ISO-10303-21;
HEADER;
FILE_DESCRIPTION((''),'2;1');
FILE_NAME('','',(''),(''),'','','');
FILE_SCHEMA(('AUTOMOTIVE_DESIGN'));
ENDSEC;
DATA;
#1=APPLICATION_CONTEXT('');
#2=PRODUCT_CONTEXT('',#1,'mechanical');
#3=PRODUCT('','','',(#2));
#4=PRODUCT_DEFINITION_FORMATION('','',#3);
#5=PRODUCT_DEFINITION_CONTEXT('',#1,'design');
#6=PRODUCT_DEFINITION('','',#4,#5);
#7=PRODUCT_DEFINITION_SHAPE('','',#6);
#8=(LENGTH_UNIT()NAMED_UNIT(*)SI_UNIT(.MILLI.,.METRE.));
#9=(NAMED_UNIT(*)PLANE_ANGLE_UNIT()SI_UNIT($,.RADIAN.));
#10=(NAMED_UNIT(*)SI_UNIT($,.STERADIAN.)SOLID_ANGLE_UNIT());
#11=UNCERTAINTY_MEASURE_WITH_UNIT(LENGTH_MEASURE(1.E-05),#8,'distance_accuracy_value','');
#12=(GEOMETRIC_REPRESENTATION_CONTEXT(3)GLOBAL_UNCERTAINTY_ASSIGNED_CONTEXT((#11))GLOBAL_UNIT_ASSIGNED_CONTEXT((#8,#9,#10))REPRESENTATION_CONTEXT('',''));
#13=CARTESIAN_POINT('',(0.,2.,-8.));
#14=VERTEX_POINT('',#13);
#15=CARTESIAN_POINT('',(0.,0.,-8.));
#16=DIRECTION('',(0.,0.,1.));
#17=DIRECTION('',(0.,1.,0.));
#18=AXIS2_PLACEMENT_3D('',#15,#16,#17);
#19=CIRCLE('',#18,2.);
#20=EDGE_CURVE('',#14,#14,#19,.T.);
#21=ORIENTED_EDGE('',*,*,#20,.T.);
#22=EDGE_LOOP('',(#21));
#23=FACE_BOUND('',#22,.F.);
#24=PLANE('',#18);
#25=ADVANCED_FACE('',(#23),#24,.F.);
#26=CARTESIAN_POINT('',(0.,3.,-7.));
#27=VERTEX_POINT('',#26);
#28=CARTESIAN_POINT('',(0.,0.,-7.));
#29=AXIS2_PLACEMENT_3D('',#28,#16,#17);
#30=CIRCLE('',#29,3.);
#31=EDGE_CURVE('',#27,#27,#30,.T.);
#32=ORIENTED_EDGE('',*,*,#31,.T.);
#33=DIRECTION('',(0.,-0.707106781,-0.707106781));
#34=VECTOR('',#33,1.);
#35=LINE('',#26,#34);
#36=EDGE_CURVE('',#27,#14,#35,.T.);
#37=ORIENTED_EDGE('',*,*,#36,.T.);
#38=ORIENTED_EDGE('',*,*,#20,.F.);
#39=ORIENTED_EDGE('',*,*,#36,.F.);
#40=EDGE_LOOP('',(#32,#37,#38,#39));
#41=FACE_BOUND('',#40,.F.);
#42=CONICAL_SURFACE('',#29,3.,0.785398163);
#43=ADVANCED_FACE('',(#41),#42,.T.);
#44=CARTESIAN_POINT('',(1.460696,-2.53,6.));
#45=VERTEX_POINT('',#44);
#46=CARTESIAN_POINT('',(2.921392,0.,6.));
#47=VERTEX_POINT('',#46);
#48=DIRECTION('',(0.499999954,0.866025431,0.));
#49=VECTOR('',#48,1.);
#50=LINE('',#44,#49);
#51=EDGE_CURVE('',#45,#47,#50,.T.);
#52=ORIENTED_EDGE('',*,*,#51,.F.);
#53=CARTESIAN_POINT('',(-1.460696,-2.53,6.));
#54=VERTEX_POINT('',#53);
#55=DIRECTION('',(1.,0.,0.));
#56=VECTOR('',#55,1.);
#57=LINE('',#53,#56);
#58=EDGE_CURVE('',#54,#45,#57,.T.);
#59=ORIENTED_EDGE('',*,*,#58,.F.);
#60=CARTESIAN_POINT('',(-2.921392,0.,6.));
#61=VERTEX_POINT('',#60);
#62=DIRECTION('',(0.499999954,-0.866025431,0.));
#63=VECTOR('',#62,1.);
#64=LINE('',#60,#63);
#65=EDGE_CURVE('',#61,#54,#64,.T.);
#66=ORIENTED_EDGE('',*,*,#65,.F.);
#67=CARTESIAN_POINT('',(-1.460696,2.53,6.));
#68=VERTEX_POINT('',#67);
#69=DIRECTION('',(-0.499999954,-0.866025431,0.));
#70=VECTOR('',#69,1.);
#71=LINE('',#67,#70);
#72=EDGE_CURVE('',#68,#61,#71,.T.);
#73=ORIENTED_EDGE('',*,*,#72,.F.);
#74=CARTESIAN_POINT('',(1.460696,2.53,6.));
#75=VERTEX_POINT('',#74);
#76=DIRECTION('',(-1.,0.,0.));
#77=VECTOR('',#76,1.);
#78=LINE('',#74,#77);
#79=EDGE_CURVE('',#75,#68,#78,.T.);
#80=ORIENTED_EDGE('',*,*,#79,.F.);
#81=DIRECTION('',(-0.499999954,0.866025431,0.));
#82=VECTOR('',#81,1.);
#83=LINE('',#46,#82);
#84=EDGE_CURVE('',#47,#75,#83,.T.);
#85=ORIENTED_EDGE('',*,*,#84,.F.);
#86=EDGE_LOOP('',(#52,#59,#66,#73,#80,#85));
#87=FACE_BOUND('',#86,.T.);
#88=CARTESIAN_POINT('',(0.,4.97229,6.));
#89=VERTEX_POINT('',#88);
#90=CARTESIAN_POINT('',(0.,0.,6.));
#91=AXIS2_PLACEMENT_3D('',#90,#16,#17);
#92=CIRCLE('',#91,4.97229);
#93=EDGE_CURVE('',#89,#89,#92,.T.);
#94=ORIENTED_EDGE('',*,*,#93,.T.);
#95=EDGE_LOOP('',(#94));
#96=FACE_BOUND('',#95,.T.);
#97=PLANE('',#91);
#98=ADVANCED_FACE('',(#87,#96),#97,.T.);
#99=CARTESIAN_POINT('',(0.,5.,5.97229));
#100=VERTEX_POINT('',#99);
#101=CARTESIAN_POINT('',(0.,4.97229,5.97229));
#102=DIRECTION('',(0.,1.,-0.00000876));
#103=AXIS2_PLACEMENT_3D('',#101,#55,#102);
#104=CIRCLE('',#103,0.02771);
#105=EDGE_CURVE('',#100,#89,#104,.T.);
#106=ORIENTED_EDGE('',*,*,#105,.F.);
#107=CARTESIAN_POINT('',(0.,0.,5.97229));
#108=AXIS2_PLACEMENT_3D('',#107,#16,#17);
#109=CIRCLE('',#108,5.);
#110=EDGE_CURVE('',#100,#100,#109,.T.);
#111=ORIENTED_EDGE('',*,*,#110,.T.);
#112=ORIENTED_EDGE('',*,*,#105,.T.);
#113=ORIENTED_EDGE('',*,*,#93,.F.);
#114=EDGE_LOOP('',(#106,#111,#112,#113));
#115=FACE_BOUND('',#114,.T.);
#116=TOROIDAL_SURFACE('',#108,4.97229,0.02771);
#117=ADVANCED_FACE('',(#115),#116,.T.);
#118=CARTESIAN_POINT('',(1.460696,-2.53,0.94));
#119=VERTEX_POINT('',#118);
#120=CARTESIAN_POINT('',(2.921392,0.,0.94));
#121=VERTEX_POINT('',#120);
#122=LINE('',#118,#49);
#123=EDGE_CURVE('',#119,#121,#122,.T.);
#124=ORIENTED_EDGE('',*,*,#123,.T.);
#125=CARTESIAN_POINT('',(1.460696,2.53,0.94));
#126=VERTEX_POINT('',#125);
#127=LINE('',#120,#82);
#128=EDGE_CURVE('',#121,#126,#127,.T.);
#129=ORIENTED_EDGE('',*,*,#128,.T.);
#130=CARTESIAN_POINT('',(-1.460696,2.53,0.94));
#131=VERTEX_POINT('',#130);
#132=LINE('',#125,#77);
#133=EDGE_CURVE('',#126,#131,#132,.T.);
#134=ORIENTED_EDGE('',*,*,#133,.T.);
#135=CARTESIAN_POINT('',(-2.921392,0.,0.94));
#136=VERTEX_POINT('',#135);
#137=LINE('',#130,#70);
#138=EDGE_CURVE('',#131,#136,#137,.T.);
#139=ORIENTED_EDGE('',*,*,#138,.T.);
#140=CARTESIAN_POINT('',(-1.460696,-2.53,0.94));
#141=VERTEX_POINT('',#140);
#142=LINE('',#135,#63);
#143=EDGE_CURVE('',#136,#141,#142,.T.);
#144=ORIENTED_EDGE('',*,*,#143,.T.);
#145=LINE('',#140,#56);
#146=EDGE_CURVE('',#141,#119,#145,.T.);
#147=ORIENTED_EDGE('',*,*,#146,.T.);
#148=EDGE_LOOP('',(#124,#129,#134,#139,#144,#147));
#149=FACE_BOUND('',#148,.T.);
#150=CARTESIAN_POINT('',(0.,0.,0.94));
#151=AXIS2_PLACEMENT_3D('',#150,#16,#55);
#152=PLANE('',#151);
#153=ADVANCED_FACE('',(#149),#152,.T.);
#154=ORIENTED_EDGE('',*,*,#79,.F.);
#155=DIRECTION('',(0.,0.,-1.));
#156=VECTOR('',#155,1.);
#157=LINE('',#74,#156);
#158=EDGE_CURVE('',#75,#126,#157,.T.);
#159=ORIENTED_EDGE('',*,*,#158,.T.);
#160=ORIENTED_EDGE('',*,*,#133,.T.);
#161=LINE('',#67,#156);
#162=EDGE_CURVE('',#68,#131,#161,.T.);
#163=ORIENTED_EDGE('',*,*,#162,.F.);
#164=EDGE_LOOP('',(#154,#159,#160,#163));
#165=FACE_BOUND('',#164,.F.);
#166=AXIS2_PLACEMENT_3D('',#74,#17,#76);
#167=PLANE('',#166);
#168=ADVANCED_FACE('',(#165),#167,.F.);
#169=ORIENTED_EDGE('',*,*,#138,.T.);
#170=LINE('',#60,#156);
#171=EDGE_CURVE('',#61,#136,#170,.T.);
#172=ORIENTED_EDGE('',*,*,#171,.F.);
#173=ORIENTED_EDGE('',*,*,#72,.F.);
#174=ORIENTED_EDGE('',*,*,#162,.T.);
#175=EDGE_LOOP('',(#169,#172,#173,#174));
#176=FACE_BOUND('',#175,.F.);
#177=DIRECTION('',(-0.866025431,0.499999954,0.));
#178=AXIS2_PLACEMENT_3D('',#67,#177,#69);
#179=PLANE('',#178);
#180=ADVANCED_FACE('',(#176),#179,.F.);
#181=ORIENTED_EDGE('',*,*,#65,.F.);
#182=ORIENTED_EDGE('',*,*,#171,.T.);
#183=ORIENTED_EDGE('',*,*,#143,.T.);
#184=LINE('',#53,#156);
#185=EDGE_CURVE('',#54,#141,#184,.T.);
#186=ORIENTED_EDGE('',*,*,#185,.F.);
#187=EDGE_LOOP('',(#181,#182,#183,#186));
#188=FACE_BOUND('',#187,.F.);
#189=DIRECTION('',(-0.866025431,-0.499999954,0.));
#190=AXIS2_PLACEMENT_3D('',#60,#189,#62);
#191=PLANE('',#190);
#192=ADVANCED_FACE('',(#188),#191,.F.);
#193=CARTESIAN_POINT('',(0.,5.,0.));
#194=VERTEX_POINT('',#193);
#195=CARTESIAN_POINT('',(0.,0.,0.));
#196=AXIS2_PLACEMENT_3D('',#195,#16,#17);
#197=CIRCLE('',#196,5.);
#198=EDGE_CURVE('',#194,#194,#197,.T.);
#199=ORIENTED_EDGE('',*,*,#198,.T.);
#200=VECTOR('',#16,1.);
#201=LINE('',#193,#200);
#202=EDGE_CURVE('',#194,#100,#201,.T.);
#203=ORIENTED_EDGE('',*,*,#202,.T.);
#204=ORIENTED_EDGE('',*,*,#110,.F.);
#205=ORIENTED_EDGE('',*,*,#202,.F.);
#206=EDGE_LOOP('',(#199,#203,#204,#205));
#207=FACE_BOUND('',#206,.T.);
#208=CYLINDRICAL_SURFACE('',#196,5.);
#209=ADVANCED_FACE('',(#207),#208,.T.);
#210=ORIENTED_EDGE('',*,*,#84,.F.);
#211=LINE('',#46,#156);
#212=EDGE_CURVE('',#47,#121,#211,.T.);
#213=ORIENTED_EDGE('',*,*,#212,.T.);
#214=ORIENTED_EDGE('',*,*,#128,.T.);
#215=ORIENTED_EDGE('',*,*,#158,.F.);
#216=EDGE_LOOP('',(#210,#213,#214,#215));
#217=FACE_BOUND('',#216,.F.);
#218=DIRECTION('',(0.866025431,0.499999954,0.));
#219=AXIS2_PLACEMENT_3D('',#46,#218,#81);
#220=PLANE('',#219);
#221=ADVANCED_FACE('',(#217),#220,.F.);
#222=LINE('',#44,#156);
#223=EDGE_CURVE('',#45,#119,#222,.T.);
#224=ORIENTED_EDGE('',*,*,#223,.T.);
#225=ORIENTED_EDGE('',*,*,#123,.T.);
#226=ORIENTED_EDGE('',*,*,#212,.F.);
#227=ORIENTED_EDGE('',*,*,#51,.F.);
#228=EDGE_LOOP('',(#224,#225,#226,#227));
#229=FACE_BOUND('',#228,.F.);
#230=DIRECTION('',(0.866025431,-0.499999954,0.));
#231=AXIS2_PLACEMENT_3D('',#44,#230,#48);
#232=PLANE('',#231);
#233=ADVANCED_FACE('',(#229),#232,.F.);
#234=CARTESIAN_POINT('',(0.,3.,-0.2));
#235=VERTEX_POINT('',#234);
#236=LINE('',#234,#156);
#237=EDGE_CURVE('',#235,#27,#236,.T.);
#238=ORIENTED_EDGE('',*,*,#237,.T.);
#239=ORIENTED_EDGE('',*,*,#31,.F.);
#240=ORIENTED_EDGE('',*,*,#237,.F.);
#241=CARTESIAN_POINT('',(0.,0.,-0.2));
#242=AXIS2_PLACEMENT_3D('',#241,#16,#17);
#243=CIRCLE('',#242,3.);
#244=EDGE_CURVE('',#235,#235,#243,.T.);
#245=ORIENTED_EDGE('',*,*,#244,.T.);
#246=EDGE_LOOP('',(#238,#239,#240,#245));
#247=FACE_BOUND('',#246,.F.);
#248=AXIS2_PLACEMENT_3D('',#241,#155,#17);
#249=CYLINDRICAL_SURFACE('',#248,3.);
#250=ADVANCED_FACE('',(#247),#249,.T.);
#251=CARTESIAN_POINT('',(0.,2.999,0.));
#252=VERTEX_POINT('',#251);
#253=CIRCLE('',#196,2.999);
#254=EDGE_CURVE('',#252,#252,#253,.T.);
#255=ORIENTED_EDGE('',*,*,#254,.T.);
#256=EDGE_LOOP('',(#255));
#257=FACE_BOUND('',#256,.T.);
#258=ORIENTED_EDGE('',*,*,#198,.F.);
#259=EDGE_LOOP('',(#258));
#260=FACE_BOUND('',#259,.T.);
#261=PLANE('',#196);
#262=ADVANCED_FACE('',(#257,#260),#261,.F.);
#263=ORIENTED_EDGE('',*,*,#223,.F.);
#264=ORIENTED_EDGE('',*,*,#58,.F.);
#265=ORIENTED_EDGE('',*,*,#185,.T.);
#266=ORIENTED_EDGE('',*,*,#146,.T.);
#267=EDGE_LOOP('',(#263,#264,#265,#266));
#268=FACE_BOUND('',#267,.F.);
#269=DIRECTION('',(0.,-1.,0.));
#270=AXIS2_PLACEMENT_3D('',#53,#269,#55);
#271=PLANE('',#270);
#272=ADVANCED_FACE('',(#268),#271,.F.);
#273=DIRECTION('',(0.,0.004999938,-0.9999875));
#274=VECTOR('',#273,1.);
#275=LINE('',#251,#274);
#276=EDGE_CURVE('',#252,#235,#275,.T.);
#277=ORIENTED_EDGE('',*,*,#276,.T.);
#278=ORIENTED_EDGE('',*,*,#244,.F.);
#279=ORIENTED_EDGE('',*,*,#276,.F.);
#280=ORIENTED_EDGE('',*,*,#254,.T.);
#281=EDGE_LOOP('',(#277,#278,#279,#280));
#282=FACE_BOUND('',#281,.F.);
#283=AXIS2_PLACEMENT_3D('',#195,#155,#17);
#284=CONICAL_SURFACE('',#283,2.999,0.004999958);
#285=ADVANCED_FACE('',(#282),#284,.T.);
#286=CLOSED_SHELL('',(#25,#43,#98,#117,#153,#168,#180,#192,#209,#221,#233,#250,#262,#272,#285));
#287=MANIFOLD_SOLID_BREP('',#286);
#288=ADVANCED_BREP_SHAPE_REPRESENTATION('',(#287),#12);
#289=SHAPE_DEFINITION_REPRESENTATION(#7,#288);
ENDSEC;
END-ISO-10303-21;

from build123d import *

# Parameters (mm, degrees)
POCKET_DEPTH = 5.06


with BuildPart() as part:
    # Sketch → Revolve (revolve)
    with BuildSketch(Plane.YZ):
        with BuildLine():
            Line((2.999, 0), (5, 0))
            Line((5, 0), (5, 5.97229))
            ThreePointArc((5, 5.97229), (4.991884, 5.991884), (4.97229, 6))
            Line((4.97229, 6), (0, 6))
            Line((0, -8), (0, 6))
            Line((2, -8), (0, -8))
            Line((3, -7), (2, -8))
            Line((3, -0.2), (3, -7))
            Line((2.999, 0), (3, -0.2))
        make_face()
    revolve(axis=Axis((0, 0, 0), (0, 0, 1)))

    # Sketch001 → Pocket (cut)
    with BuildSketch(Plane.XY.offset(6)):
        Polygon((2.921392, 0), (1.460696, 2.53), (-1.460696, 2.53), (-2.921392, 0), (-1.460696, -2.53), (1.460696, -2.53), align=None)
    extrude(amount=-POCKET_DEPTH, mode=Mode.SUBTRACT)


solid = part.part
